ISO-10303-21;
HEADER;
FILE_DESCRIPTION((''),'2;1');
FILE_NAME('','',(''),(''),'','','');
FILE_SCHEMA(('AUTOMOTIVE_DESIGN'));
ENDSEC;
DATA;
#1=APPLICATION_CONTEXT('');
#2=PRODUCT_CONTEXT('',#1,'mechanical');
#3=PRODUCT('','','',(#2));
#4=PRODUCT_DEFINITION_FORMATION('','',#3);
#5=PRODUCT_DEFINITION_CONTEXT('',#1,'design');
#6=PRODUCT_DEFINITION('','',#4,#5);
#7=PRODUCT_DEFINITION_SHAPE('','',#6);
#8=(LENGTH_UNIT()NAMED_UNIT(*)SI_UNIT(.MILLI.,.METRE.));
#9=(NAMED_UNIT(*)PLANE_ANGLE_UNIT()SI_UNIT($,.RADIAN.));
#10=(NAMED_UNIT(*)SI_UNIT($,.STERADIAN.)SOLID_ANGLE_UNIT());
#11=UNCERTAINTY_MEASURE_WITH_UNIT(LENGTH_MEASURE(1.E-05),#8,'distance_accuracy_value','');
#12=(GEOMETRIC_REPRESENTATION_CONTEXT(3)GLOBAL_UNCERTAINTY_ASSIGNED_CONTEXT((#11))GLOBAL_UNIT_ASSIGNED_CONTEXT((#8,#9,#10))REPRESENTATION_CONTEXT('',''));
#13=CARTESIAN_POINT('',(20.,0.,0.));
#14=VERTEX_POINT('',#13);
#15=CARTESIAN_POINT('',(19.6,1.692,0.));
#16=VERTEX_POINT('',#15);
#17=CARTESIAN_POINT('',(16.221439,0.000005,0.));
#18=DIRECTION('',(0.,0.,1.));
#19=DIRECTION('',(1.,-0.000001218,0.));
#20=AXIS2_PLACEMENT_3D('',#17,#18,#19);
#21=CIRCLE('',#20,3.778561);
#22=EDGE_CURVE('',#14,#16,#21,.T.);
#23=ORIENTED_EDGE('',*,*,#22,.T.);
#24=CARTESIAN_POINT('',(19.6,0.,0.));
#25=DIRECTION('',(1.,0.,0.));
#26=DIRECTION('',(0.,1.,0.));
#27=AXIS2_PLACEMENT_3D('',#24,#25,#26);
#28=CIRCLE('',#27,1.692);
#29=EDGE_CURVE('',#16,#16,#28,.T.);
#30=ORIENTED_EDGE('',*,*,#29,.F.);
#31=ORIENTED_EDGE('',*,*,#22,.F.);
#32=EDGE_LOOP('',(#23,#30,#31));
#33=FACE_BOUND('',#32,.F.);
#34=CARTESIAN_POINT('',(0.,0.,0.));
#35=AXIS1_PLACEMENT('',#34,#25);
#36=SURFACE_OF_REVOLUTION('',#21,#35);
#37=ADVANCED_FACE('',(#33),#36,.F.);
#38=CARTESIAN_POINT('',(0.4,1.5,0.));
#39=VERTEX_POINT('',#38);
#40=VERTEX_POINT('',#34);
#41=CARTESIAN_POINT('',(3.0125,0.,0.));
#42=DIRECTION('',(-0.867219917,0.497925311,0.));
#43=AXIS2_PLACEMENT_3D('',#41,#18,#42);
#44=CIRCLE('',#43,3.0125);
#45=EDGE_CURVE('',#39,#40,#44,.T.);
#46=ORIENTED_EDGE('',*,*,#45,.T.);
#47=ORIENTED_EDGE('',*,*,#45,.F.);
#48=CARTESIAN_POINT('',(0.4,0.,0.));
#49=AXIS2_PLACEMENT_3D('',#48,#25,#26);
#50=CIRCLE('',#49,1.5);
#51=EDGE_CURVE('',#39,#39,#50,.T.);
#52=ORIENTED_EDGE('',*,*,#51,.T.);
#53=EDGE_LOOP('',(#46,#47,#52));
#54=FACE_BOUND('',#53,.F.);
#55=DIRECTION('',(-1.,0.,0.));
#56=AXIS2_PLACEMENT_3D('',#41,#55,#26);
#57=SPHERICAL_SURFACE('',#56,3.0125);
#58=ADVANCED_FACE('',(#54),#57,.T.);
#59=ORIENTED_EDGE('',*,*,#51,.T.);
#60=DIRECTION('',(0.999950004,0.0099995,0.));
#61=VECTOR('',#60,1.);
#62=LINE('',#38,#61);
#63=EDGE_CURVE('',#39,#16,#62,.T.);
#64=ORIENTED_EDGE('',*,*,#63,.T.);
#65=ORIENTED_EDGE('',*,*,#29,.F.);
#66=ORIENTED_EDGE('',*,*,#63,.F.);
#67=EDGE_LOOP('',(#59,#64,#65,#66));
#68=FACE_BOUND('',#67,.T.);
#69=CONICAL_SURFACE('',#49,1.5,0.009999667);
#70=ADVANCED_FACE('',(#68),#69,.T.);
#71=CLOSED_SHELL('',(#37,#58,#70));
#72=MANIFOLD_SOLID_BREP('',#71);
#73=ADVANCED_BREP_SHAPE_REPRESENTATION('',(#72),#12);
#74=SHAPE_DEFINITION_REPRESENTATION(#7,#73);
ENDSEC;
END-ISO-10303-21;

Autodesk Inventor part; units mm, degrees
ref_plane "YZ Plane" through (0, 0, 0) normal (1, 0, 0) x (0, 1, 0)
ref_plane "XZ Plane" through (0, 0, 0) normal (0, 1, 0) x (-1, 0, 0)
ref_plane "XY Plane" through (0, 0, 0) normal (0, 0, 1) x (1, 0, 0)
sketch "Sketch1" plane through (0, 0, 0) normal (0, 0, 1) x (1, 0, 0)
  line L0 (0, 0) -> (20, 0)
  line L1 (0.4, 1.5) -> (19.6, 1.692)
  arc A0 (0.4, 1.5) -> (0, 0) centre (3.0125, 0) ccw
  arc A1 (20, 0) -> (19.6, 1.692) centre (16.2214, 0) ccw
  dimension "d0" = 20
  dimension "d1" = 0.4
  dimension "d2" = 0.4
  dimension "d3" = 3
  dimension "d5" = 3.384
revolve "Body" add sketch "Sketch1" angle 360 about axis through (0, 0, 0) along (1, 0, 0)
equation "\"d0\" = NLG"
equation "\"d1\" = KAH"
equation "\"d2\" = KAH"
equation "\"d3\" = NND"
equation "\"NND\" = 3"
equation "\"NLG\" = 20"
equation "\"KAH\" = 0.4"
equation "\"NLG1\" = 19.2"
equation "\"d35\" = KAH"
equation "\"d36\" = KAH"
properties part number "ISO 2339 - A - 3 x 20" material "Steel"
